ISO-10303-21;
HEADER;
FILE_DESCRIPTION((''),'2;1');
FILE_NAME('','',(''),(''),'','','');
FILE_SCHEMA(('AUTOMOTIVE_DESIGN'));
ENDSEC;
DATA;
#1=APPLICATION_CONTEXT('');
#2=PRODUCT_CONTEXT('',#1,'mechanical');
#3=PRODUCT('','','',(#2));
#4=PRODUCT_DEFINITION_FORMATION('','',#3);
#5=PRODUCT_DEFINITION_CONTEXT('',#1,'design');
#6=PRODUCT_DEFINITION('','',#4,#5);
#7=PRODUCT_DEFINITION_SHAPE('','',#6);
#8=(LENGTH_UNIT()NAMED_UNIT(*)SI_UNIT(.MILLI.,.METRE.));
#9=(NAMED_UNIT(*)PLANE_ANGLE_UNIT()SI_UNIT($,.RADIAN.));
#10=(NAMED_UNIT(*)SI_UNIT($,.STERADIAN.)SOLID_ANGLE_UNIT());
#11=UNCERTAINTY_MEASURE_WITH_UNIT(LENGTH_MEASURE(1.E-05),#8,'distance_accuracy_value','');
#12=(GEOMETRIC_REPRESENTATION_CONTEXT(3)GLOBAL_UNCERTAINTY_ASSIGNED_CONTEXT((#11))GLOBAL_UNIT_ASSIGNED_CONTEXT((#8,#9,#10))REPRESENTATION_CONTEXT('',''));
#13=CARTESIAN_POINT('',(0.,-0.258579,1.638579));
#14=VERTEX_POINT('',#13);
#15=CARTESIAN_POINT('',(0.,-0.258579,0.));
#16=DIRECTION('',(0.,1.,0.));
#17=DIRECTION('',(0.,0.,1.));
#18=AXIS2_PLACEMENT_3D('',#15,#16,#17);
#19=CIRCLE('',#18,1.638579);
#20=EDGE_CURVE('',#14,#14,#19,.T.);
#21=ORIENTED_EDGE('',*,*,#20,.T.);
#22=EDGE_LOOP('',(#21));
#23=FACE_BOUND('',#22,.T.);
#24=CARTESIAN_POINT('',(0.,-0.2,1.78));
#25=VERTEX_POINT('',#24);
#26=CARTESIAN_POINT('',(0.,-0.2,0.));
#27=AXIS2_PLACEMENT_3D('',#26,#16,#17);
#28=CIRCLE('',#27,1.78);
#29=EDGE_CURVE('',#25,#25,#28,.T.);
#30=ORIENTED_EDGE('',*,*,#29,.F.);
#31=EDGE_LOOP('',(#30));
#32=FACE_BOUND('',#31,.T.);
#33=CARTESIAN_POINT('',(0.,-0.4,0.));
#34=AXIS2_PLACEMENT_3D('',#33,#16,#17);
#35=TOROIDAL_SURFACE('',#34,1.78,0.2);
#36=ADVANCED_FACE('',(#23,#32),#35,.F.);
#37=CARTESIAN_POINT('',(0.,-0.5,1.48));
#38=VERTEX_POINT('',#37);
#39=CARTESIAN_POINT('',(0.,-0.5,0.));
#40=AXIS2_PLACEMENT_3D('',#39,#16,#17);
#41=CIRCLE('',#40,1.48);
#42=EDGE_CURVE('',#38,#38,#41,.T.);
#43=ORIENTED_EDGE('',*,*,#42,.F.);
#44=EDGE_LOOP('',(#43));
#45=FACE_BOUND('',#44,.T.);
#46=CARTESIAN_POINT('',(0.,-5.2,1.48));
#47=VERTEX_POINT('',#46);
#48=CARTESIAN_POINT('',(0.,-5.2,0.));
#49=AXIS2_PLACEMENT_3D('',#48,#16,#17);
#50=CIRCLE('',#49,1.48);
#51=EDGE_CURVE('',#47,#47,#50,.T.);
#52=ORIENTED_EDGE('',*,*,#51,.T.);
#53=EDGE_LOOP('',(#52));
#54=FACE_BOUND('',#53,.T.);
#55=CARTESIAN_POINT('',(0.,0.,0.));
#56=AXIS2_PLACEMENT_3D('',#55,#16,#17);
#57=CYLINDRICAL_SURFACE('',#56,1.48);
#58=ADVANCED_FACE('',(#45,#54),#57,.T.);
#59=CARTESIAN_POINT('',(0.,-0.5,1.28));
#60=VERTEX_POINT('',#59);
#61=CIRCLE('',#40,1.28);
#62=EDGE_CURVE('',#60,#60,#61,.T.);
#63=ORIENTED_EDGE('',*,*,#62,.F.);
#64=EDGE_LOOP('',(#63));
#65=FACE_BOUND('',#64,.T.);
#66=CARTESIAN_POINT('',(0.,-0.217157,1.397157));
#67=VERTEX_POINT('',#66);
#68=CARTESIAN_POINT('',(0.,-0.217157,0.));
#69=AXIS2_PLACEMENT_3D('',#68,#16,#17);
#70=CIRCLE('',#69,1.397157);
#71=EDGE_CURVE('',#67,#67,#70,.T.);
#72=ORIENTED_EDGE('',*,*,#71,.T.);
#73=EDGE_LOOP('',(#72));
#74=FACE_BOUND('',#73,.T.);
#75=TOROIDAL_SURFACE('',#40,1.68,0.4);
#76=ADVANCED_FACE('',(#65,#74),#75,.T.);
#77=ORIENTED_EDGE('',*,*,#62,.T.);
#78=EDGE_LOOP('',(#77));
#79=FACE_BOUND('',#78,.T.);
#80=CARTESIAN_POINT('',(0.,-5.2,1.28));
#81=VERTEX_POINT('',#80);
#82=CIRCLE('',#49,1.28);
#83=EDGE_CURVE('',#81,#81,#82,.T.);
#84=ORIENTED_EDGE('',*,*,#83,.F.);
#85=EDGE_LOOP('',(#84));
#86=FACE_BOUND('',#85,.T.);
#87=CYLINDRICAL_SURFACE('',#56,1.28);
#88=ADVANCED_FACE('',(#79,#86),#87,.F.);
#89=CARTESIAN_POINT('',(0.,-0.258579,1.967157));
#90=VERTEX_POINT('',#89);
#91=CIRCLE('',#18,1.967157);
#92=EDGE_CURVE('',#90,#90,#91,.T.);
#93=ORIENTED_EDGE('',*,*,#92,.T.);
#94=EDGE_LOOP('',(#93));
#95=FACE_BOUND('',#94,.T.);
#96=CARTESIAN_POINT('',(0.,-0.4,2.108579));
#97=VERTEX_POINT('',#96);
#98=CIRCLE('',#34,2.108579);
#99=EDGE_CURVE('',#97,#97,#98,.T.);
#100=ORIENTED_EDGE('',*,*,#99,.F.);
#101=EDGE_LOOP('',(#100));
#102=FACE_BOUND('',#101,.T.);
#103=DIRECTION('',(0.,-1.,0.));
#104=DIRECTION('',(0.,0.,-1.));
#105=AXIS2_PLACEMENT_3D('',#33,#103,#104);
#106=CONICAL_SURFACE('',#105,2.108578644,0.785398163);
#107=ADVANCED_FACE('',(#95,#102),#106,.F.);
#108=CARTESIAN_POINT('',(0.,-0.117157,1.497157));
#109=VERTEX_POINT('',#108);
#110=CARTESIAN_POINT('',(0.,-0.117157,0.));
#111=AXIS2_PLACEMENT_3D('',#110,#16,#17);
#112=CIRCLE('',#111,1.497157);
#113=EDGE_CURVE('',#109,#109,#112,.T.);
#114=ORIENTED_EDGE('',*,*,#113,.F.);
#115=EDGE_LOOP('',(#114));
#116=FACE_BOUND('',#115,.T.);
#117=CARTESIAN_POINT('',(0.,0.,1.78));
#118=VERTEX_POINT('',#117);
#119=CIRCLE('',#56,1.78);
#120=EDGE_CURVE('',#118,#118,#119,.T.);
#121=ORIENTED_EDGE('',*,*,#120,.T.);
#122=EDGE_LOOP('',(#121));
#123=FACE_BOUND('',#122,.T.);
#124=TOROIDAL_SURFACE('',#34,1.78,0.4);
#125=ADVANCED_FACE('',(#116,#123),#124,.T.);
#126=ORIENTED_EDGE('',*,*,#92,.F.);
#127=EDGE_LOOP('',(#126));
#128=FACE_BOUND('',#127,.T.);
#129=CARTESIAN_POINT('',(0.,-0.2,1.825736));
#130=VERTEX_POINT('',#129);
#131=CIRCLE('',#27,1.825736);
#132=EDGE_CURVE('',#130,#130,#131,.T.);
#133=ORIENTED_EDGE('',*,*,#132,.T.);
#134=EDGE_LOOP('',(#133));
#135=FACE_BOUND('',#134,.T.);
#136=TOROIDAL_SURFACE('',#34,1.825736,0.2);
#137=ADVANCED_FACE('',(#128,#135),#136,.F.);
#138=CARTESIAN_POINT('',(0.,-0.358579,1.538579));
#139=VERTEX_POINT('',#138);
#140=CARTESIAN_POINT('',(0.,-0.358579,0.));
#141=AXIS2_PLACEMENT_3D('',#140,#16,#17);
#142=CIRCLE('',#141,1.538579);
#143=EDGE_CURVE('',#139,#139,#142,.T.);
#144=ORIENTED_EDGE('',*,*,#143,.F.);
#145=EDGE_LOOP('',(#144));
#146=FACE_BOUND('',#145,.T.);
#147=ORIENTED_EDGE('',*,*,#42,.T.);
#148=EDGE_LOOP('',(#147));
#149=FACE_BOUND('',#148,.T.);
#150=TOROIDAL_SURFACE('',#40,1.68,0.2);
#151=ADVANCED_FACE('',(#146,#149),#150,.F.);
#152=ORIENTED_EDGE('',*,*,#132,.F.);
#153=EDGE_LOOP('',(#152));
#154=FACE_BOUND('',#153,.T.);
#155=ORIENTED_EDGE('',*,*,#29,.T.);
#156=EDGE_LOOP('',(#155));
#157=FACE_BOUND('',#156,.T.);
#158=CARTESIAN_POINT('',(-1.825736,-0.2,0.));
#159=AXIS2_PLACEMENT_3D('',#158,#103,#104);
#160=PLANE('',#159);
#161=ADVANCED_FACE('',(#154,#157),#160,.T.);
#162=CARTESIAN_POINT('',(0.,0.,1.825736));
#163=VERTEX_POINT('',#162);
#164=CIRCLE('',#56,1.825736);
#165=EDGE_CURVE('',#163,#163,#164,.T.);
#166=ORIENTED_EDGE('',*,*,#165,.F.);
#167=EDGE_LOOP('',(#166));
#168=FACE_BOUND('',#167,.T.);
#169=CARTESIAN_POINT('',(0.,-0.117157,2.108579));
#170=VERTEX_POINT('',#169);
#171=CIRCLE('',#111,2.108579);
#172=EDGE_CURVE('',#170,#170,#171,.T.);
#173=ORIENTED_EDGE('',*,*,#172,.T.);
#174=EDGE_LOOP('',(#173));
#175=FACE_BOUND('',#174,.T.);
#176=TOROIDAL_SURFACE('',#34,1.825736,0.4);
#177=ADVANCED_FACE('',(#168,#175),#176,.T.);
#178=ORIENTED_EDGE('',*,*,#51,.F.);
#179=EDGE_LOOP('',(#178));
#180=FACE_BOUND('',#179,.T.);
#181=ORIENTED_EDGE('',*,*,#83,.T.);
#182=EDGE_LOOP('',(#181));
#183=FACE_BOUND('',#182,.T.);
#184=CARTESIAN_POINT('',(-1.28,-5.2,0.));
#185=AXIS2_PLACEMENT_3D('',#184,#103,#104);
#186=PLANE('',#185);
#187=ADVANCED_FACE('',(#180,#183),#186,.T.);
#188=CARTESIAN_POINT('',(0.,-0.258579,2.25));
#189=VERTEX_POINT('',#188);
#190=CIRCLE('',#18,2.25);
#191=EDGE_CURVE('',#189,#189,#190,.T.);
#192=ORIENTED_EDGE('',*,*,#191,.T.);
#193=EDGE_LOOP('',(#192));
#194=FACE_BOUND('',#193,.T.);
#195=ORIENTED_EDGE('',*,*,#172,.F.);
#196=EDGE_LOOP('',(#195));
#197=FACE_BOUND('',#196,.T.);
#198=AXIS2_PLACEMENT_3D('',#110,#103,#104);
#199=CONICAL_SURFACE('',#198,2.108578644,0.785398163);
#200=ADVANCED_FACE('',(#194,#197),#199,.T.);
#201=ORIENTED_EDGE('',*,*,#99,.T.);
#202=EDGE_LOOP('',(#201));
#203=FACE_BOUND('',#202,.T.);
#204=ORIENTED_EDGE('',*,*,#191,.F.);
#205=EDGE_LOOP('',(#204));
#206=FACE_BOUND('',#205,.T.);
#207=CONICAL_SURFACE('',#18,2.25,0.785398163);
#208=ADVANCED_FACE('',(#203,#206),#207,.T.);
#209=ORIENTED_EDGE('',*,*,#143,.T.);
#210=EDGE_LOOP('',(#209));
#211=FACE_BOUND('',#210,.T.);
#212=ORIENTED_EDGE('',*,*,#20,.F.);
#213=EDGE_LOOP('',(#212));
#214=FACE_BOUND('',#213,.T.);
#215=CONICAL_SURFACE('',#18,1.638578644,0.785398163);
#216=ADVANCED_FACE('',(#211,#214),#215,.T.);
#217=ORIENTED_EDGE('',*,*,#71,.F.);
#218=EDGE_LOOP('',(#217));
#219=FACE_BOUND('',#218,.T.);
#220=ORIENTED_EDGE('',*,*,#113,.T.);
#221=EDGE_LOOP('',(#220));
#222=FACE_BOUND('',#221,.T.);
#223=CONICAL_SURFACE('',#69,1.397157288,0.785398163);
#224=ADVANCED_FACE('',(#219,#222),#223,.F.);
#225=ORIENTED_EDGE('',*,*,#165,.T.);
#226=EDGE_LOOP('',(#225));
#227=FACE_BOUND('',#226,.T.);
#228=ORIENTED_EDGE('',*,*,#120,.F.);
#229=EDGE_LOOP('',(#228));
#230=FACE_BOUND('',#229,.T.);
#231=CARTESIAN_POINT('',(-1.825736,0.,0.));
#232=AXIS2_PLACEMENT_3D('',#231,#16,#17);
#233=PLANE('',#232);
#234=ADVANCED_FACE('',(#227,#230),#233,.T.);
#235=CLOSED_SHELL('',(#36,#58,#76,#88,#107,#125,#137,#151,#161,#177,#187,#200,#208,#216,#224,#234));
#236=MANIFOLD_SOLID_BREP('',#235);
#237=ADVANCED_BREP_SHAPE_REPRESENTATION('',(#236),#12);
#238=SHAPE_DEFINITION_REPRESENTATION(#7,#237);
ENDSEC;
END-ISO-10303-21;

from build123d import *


with BuildPart() as part:
    # Esquisse1 → Révolution1 (revolve)
    with BuildSketch(Plane.XY):
        with BuildLine():
            Line((-1.497157288, -0.117157288), (-1.397157288, -0.217157288))
            ThreePointArc((-1.397157288, -0.217157288), (-1.310448187, -0.346926627), (-1.28, -0.5))
            Line((-1.28, -0.5), (-1.28, -5.2))
            Line((-1.28, -5.2), (-1.48, -5.2))
            Line((-1.48, -5.2), (-1.48, -0.5))
            ThreePointArc((-1.48, -0.5), (-1.495224093, -0.423463314), (-1.538578644, -0.358578644))
            Line((-1.538578644, -0.358578644), (-1.638578644, -0.258578644))
            ThreePointArc((-1.638578644, -0.258578644), (-1.703463314, -0.215224093), (-1.78, -0.2))
            Line((-1.78, -0.2), (-1.825735931, -0.2))
            ThreePointArc((-1.825735931, -0.2), (-1.902272618, -0.215224093), (-1.967157288, -0.258578644))
            Line((-1.967157288, -0.258578644), (-2.108578644, -0.4))
            Line((-2.108578644, -0.4), (-2.25, -0.258578644))
            Line((-2.25, -0.258578644), (-2.108578644, -0.117157288))
            ThreePointArc((-2.108578644, -0.117157288), (-1.978809304, -0.030448187), (-1.825735931, 0))
            Line((-1.825735931, 0), (-1.78, 0))
            ThreePointArc((-1.78, 0), (-1.626926627, -0.030448187), (-1.497157288, -0.117157288))
        make_face()
    revolve(axis=Axis((0, 0, 0), (0, -1, 0)))


solid = part.part
